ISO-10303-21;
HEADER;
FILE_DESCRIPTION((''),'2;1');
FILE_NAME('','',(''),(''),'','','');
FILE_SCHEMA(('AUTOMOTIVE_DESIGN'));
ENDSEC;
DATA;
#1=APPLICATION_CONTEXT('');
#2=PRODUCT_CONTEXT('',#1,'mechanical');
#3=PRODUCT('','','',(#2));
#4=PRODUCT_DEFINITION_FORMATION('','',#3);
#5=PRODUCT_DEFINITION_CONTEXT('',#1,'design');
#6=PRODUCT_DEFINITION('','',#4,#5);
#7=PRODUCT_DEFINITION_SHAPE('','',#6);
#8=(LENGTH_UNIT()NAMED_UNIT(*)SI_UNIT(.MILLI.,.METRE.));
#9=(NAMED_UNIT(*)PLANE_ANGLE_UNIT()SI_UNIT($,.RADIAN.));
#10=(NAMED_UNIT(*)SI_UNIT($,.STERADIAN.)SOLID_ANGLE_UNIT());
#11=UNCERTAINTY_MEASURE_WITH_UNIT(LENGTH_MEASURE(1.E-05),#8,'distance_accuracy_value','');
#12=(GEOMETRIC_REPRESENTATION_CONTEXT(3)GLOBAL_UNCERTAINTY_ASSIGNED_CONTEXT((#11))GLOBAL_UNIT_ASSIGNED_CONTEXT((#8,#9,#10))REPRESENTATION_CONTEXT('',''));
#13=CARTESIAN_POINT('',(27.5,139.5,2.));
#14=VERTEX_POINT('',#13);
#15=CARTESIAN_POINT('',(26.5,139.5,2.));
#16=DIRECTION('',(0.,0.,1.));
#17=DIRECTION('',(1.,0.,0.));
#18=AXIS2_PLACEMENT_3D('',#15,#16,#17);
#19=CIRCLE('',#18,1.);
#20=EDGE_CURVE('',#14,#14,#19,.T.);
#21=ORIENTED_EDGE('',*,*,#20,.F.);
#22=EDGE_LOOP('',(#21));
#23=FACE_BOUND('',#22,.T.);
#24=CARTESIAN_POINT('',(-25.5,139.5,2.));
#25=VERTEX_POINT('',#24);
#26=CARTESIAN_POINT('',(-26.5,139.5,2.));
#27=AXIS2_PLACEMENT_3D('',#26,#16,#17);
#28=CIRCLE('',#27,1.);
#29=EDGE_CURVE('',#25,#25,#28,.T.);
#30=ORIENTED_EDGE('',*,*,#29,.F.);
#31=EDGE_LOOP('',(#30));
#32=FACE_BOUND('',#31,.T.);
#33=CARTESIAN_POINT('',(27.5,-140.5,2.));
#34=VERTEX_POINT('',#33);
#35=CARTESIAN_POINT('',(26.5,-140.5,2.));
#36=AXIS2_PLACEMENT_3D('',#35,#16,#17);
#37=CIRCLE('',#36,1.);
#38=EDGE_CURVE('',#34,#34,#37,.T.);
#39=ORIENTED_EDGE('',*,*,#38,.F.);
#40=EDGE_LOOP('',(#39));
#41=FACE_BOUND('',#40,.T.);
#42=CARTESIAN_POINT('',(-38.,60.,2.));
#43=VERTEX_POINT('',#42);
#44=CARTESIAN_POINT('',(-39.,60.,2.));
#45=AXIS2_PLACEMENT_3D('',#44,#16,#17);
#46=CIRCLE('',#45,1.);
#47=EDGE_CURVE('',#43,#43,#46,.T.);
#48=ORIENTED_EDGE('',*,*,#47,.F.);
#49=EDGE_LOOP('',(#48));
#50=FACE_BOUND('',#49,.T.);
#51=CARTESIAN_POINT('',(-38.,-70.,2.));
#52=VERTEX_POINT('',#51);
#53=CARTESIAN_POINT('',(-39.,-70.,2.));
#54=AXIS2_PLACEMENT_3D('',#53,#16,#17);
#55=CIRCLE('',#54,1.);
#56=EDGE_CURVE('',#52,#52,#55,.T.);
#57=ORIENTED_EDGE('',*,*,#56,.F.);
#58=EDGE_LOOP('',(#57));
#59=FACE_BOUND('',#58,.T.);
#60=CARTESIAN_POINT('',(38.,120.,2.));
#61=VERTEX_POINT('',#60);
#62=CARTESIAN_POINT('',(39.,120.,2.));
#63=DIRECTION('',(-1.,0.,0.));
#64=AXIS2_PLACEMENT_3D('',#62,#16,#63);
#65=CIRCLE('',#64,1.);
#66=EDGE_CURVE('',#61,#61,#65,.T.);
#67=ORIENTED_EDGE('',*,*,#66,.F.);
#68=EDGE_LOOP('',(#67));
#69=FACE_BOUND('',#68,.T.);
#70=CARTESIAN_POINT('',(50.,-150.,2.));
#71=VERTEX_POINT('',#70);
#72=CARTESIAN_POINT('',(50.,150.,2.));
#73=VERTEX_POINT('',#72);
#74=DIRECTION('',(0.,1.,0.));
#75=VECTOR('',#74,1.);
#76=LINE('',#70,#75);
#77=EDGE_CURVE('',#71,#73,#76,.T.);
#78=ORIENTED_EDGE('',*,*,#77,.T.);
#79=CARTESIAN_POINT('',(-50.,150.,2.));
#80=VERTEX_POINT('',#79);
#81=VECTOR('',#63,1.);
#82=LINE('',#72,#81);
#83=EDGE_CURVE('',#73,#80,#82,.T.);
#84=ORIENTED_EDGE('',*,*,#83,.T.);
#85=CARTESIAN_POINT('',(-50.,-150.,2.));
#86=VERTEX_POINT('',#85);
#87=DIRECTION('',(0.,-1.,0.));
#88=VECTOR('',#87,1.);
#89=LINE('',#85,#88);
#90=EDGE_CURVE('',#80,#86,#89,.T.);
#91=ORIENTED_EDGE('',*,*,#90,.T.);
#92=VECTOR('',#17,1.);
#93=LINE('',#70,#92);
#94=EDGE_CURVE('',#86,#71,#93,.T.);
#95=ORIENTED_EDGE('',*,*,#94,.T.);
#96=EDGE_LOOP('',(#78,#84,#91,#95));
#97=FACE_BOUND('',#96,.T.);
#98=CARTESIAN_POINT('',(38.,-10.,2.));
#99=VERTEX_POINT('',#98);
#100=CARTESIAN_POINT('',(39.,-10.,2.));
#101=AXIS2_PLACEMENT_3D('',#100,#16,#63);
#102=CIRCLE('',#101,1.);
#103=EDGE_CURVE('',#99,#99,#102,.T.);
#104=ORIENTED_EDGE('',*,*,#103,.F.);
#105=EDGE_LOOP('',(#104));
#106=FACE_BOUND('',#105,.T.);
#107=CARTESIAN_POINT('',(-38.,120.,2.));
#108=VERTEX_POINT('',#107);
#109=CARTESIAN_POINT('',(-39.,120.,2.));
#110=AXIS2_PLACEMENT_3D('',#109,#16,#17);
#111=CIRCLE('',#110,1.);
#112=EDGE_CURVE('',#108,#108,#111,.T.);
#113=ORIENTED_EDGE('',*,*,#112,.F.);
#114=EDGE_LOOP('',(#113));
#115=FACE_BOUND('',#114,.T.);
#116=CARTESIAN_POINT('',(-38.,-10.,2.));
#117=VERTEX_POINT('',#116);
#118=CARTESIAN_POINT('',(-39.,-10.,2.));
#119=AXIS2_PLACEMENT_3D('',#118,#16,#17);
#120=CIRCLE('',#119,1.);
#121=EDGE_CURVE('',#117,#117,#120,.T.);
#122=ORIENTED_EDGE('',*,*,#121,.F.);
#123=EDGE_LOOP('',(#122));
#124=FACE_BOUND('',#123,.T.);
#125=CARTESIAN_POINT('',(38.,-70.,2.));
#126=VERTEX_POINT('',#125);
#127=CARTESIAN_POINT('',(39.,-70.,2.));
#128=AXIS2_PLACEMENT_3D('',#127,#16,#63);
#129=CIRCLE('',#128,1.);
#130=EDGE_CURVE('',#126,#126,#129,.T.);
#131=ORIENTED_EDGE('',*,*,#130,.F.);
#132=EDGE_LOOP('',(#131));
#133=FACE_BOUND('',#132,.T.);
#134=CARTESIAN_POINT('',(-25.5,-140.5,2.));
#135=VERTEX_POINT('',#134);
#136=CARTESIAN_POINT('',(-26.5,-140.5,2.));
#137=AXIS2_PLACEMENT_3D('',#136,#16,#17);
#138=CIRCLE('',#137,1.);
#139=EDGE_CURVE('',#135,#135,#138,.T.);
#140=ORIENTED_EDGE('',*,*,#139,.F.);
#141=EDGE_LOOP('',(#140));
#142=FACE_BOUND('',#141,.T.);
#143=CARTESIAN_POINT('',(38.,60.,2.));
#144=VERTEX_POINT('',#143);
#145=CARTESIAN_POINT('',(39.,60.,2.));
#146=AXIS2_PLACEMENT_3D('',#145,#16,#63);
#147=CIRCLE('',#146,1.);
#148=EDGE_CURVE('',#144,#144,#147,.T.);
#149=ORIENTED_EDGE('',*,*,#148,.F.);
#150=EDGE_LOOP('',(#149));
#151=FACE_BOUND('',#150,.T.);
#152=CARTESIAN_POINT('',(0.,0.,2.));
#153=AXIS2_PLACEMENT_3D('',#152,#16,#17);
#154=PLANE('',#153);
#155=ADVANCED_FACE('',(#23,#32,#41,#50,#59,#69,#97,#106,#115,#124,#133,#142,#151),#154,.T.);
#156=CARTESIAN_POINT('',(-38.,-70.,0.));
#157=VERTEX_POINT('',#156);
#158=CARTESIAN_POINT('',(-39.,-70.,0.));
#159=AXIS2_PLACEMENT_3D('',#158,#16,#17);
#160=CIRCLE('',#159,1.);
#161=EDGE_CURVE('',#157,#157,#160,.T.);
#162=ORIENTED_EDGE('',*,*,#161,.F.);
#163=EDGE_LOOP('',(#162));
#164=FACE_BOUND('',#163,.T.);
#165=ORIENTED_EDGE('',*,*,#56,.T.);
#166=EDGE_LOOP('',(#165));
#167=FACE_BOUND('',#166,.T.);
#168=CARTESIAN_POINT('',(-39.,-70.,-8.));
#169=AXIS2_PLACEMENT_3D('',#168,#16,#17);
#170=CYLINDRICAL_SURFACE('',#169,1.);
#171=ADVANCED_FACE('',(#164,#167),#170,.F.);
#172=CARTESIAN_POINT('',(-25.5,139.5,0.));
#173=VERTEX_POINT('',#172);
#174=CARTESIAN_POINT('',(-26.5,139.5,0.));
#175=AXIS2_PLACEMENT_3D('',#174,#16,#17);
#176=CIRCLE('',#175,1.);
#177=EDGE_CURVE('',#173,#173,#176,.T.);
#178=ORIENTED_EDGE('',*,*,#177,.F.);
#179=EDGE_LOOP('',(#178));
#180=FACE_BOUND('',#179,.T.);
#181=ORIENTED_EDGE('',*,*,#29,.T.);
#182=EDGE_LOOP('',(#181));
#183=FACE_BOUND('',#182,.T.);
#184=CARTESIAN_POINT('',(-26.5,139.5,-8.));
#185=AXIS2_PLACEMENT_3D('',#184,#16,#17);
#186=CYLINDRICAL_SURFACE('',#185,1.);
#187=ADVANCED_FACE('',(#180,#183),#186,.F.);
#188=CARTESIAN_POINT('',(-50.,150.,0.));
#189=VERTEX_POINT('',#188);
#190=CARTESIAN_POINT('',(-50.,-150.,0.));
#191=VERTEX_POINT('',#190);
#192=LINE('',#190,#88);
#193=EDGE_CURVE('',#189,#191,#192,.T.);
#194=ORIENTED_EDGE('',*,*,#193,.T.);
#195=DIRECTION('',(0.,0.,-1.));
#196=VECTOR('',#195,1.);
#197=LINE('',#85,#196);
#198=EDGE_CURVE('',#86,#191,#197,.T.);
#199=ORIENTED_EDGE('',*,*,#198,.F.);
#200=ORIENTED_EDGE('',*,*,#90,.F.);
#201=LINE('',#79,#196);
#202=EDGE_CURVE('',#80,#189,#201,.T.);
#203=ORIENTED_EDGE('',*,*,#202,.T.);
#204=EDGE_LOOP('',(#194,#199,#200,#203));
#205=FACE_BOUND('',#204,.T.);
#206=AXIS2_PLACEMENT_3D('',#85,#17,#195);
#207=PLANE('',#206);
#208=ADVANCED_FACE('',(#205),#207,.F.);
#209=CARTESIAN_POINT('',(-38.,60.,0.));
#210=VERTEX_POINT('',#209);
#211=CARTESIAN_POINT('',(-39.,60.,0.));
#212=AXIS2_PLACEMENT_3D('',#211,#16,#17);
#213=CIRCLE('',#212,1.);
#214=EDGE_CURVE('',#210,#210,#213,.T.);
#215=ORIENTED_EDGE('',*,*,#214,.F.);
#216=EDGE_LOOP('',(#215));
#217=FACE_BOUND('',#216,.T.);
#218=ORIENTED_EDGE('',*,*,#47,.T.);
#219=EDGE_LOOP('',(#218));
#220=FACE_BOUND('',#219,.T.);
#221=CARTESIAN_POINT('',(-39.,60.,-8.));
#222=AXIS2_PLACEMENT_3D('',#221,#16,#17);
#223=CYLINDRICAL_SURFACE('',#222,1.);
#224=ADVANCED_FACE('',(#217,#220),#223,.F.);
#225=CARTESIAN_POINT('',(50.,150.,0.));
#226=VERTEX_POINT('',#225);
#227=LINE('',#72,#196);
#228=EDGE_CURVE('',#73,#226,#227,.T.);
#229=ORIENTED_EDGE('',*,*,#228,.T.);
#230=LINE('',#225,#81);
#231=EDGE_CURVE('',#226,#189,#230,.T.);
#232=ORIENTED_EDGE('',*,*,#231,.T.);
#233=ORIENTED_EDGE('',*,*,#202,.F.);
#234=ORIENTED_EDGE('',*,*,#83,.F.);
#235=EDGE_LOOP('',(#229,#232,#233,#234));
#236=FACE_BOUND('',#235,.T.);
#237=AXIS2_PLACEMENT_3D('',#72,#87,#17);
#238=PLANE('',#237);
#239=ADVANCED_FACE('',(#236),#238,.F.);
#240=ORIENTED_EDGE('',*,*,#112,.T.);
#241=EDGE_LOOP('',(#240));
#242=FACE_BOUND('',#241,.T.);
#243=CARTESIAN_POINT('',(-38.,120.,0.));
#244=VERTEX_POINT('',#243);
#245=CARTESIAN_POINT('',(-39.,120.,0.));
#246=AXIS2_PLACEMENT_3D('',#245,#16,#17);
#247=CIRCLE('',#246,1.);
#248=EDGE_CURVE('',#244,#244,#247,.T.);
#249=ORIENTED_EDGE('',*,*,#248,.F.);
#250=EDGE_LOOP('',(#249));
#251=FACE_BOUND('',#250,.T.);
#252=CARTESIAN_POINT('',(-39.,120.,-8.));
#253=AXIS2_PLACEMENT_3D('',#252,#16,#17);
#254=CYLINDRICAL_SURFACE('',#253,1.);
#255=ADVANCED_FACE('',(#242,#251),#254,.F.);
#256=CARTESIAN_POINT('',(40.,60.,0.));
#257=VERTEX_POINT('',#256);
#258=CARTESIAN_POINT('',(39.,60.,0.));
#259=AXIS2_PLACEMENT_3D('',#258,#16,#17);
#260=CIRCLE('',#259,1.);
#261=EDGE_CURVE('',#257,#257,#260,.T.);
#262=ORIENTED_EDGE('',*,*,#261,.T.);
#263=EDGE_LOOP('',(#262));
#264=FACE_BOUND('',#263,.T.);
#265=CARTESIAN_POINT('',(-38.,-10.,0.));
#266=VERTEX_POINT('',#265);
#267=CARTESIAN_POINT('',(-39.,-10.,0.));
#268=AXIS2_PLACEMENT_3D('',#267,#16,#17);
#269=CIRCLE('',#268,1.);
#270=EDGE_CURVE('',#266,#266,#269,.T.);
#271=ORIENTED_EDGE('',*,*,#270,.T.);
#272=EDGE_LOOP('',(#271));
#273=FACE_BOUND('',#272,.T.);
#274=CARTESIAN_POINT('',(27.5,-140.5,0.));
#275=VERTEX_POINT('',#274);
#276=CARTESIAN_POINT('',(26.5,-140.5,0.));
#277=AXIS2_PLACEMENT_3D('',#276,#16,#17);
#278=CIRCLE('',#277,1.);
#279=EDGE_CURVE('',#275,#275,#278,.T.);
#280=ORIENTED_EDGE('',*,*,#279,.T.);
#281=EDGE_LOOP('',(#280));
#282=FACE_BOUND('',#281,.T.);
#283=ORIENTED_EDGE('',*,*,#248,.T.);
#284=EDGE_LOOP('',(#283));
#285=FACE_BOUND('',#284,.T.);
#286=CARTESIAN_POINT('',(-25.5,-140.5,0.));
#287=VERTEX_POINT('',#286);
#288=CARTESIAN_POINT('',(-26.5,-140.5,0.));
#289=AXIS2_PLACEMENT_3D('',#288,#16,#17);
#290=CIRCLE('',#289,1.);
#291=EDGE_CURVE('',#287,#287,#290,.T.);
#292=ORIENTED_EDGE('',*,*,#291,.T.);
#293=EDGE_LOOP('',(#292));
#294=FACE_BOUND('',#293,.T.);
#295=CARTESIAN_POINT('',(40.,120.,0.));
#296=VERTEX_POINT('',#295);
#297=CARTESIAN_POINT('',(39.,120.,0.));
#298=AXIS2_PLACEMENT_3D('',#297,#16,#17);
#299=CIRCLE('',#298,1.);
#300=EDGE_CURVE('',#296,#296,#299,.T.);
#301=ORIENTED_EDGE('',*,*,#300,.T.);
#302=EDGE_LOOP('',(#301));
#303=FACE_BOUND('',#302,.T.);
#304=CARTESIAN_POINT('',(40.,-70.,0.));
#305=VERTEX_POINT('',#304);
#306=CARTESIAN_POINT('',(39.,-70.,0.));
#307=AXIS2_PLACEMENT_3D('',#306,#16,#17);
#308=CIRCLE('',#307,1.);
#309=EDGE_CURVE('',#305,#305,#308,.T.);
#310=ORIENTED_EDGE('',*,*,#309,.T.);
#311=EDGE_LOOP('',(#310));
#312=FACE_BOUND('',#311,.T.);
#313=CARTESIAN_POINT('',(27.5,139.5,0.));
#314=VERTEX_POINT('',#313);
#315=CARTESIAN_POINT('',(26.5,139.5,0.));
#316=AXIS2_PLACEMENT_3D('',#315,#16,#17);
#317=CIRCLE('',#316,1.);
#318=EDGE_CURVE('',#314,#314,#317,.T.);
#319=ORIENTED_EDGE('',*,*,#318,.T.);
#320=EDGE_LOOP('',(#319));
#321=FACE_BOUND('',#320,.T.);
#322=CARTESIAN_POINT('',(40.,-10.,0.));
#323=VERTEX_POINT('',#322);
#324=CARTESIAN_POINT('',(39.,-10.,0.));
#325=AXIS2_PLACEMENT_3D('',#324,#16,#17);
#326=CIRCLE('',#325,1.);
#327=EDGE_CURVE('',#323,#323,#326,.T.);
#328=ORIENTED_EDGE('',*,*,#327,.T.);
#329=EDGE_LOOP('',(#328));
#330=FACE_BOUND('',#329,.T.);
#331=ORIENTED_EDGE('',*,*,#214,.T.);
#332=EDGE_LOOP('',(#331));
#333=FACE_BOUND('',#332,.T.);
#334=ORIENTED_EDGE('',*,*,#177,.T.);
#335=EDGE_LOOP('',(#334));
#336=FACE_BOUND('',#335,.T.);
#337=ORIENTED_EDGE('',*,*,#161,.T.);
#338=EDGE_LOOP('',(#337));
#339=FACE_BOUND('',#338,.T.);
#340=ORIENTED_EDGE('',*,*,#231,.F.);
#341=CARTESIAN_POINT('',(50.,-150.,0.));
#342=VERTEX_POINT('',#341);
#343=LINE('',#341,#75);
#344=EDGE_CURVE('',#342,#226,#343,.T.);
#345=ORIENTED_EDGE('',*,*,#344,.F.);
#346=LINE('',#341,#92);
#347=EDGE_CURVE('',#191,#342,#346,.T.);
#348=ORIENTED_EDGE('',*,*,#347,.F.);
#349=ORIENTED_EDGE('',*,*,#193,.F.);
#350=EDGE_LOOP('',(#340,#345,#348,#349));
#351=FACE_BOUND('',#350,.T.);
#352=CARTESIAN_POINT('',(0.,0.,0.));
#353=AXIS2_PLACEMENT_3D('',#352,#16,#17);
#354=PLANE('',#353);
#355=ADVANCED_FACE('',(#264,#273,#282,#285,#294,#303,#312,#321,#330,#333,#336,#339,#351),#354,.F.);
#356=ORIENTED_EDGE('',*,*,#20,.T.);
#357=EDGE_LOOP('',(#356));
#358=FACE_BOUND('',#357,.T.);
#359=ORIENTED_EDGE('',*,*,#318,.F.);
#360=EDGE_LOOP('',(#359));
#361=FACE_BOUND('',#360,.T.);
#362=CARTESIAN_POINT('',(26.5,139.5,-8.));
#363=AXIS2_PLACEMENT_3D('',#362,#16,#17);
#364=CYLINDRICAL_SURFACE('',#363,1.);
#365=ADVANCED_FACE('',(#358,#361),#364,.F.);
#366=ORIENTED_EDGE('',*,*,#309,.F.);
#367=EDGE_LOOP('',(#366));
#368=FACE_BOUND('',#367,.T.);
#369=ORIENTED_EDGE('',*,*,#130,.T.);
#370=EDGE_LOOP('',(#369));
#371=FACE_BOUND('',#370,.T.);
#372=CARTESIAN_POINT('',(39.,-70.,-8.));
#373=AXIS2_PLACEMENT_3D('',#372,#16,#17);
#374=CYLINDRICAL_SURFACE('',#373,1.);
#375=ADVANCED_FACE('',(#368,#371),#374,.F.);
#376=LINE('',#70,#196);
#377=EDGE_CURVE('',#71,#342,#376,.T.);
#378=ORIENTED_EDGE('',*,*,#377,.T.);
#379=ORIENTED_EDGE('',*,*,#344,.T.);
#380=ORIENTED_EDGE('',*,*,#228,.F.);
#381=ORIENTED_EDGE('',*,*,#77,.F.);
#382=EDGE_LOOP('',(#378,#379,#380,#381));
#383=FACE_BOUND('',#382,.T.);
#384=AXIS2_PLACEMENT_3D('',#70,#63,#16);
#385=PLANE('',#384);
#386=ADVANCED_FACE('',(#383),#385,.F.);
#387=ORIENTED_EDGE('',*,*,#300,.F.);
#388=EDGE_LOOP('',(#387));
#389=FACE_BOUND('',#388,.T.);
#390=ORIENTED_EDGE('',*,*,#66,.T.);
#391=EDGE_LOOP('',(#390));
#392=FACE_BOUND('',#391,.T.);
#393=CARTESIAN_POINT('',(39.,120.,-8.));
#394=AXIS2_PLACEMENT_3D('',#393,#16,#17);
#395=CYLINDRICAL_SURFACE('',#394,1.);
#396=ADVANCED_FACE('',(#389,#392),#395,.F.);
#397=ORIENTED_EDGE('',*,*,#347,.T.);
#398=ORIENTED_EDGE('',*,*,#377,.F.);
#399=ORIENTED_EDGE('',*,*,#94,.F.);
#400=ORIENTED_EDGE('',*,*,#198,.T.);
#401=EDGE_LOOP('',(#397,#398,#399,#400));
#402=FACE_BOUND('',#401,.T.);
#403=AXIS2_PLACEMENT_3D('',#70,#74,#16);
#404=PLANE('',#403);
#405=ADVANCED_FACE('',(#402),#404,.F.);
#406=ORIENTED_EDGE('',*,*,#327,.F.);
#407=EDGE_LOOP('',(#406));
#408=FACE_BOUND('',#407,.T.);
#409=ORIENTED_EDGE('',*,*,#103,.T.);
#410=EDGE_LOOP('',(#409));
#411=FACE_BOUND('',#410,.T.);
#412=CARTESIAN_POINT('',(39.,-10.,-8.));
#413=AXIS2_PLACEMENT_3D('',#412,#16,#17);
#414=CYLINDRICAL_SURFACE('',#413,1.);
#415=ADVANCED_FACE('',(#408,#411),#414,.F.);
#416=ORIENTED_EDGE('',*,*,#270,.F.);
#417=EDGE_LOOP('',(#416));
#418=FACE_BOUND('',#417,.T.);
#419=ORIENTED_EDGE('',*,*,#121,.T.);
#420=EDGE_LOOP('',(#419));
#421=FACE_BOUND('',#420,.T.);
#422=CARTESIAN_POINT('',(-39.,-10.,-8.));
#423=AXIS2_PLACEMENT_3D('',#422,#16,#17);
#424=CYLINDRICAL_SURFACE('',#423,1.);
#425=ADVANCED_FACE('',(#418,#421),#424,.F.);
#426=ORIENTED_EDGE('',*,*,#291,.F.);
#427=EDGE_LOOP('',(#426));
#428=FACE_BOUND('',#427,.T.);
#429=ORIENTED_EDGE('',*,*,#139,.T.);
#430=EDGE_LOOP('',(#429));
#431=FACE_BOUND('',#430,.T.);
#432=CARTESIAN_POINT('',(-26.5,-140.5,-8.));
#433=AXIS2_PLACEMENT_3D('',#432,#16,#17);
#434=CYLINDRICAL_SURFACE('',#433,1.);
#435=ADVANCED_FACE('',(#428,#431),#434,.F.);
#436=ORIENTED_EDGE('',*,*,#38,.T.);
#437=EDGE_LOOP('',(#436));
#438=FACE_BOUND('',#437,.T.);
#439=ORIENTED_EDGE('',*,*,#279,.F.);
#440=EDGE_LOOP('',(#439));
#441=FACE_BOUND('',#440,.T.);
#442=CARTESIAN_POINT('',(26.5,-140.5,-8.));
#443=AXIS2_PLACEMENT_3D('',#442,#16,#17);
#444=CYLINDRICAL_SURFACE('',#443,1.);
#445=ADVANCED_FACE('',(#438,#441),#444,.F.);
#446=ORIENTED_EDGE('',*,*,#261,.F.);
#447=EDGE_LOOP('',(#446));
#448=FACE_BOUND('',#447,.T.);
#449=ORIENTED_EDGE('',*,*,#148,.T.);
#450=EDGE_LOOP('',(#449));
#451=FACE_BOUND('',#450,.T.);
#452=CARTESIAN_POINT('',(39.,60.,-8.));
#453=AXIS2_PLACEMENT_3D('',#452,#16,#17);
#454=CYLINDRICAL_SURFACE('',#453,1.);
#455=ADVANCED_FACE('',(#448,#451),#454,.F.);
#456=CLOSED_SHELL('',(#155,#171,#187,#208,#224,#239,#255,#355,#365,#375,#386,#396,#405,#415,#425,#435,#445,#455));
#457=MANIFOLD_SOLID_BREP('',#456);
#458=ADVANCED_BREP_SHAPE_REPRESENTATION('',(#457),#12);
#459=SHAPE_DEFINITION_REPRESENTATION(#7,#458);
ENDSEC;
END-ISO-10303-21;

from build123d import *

# Parameters (mm, degrees)
SKETCH1_W           = 100
SKETCH1_H           = 300
BOSS_EXTRUDE1_DEPTH = 2
SKETCH2_R           = 1
CUT_EXTRUDE1_DEPTH  = 10
SKETCH3_R           = 1
CUT_EXTRUDE2_DEPTH  = 10


with BuildPart() as part:
    # Sketch1 → Boss-Extrude1 (new body)
    with BuildSketch(Plane.XY):
        Rectangle(SKETCH1_W, SKETCH1_H)
    extrude(amount=BOSS_EXTRUDE1_DEPTH)

    # Sketch2 → Cut-Extrude1 (cut)
    with BuildSketch(Plane.XY.offset(2)):
        with Locations((-39, 120)):
            Circle(SKETCH2_R)
        with Locations((-39, 60)):
            Circle(SKETCH2_R)
        with Locations((-39, -10)):
            Circle(SKETCH2_R)
        with Locations((-39, -70)):
            Circle(SKETCH2_R)
        with Locations((39, -70)):
            Circle(SKETCH2_R)
        with Locations((39, -10)):
            Circle(SKETCH2_R)
        with Locations((39, 60)):
            Circle(SKETCH2_R)
        with Locations((39, 120)):
            Circle(SKETCH2_R)
    extrude(amount=-CUT_EXTRUDE1_DEPTH, mode=Mode.SUBTRACT)

    # Sketch3 → Cut-Extrude2 (cut)
    with BuildSketch(Plane.XY.offset(2)):
        with Locations((-26.5, -140.5)):
            Circle(SKETCH3_R)
        with Locations((26.5, -140.5)):
            Circle(SKETCH3_R)
        with Locations((-26.5, 139.5)):
            Circle(SKETCH3_R)
        with Locations((26.5, 139.5)):
            Circle(SKETCH3_R)
    extrude(amount=-CUT_EXTRUDE2_DEPTH, mode=Mode.SUBTRACT)


solid = part.part
